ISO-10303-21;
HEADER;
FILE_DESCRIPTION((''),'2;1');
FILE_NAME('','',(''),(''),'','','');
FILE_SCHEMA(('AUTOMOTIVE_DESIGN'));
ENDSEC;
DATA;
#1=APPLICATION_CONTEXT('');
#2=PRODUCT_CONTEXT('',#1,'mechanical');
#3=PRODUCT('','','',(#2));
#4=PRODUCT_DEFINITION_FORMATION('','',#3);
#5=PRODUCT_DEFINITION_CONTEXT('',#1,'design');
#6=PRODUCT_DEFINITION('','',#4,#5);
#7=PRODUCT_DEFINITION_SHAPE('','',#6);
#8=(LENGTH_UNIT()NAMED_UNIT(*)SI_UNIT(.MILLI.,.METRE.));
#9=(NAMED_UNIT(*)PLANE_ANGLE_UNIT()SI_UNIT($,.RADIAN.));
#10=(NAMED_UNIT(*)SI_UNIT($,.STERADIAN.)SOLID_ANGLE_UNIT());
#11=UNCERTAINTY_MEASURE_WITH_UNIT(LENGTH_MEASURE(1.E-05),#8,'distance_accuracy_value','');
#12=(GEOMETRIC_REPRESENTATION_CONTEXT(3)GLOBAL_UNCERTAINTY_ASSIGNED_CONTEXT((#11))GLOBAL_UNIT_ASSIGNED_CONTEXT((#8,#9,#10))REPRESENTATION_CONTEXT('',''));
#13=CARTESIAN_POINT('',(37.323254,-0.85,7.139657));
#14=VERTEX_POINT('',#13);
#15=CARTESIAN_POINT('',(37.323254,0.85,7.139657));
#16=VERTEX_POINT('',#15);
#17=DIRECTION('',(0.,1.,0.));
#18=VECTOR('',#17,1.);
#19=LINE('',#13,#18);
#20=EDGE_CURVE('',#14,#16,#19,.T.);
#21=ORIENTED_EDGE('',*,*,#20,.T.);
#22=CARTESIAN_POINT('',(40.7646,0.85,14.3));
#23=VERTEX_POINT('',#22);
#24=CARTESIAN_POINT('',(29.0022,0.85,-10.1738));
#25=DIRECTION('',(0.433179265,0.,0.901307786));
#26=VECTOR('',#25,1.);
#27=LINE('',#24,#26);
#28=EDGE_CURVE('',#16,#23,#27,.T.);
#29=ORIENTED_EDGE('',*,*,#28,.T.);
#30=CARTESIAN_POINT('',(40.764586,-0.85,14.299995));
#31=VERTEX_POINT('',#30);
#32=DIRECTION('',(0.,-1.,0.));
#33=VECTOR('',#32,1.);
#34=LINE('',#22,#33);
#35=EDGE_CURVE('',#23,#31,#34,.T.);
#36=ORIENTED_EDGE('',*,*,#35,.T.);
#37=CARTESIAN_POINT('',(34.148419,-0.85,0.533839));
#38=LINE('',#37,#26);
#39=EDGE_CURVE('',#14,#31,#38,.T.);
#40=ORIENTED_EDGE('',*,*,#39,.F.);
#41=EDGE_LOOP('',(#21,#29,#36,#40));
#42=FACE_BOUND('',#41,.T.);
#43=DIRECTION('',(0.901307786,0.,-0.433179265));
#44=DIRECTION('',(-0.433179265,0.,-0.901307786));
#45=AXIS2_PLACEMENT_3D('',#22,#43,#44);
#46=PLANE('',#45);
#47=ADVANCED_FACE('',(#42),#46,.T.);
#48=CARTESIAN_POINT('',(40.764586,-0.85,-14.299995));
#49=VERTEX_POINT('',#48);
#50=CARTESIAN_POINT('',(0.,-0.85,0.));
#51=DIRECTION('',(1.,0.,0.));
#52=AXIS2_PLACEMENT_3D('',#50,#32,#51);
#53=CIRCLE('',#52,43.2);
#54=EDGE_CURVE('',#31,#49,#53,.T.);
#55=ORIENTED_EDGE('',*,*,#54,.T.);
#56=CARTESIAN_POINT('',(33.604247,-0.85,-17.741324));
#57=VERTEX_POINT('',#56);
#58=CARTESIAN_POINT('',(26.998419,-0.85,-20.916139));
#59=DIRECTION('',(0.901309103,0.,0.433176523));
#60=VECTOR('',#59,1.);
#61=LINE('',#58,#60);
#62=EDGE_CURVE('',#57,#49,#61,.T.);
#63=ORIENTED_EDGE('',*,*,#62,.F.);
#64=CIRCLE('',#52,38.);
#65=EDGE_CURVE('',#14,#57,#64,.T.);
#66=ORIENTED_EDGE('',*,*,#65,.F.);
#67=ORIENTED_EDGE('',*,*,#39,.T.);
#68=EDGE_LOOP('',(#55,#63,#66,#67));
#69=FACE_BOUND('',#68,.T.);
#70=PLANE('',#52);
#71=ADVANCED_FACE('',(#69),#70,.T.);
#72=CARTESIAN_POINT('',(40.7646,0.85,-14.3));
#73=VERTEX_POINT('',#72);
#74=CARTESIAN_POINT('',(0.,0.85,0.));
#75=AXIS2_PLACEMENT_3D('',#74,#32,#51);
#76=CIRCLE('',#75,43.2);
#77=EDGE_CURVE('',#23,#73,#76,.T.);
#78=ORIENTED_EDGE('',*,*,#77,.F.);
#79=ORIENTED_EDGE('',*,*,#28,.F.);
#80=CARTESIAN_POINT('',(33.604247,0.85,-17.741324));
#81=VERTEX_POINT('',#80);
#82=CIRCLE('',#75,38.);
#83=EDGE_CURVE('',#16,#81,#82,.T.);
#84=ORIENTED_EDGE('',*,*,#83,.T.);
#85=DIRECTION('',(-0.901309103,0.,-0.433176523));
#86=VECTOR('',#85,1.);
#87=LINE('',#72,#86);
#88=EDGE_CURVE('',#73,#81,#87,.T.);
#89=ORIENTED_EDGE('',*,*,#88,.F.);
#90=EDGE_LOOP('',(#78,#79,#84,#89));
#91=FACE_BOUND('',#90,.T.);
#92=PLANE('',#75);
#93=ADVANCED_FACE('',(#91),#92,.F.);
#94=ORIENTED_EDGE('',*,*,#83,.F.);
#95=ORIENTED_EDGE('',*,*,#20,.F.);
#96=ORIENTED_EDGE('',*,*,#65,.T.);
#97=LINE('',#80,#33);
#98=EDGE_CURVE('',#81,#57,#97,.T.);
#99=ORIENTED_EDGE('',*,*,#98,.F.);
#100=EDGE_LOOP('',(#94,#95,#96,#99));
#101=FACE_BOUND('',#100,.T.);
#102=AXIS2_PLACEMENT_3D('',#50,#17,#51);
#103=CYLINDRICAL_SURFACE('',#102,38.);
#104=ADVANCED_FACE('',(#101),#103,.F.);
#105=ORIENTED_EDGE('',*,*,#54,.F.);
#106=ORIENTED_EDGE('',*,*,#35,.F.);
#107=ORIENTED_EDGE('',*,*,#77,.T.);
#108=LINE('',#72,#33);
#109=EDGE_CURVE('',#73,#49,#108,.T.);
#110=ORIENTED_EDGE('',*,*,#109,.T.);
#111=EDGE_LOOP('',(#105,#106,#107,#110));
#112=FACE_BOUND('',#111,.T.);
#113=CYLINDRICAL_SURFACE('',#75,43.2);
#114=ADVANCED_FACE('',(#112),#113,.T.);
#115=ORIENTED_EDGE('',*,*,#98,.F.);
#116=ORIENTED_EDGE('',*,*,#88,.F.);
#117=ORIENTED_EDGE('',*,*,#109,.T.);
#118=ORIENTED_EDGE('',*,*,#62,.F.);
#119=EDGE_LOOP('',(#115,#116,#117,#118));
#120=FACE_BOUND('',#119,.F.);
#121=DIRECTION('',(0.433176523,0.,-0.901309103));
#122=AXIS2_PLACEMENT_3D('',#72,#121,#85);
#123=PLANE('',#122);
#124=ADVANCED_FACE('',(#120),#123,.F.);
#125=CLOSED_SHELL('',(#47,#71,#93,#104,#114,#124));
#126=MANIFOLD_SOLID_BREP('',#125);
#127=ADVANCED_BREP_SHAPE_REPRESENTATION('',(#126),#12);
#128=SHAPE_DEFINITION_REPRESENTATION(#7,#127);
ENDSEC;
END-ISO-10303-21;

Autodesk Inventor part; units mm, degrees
ref_plane "YZ Plane" through (0, 0, 0) normal (1, 0, 0) x (0, 1, 0)
ref_plane "XZ Plane" through (0, 0, 0) normal (0, 1, 0) x (-1, 0, 0)
ref_plane "XY Plane" through (0, 0, 0) normal (0, 0, 1) x (1, 0, 0)
sketch "Эскиз1" plane through (0, 0, 0) normal (0, 0, 1) x (1, 0, 0)
  line L0 (0, 0.85) -> (0, -0.85)
  line L1 (38, 0.85) -> (43.2, 0.85)
  line L2 (43.2, 0.85) -> (43.2, -0.85)
  line L3 (43.2, -0.85) -> (38, -0.85)
  line L4 (38, -0.85) -> (38, 0.85)
  point P0 (0, 0)
  point P1 (0, 0)
  dimension "d0" = 1.7
  dimension "d1" = 86.4
  dimension "d2" = 76
revolve "Вращение1" add sketch "Эскиз1" angle 360 about axis through (0, 0.85, 0) along (0, -1, 0)
sketch "Эскиз2" plane through (0, 0.85, 0) normal (0, 1, 0) x (1, 0, 0)
  line L0 (40.7646, 14.3) -> (40.7646, -14.3)
  circle A0 centre (0, 0) radius 43.2 projected
  line L1 (0, 0) -> (40.7646, 14.3)
  line L2 (40.7646, 14.3) -> (0, 33.8918)
  circle A1 centre (0, 0) radius 38 projected
  line L3 (0, 0) -> (40.7646, -14.3)
  line L4 (40.7646, -14.3) -> (29.0022, 10.1738)
  point P0 (0, 0)
  point P1 (40.7646, 0)
  point P2 (33.6042, 17.7413)
  point P3 (35.8577, 12.5787)
  dimension "d4" = 28.6
  dimension "d5" = 45
  dimension "d6" = 45
extrude "Выдавливание1" cut sketch "Эскиз2" against normal through all contours A0 L0 | L0 L4 A1 L1 | L1 A1 L2 | A1 L4 L1
properties part number "79. Кольцо стопорное"
